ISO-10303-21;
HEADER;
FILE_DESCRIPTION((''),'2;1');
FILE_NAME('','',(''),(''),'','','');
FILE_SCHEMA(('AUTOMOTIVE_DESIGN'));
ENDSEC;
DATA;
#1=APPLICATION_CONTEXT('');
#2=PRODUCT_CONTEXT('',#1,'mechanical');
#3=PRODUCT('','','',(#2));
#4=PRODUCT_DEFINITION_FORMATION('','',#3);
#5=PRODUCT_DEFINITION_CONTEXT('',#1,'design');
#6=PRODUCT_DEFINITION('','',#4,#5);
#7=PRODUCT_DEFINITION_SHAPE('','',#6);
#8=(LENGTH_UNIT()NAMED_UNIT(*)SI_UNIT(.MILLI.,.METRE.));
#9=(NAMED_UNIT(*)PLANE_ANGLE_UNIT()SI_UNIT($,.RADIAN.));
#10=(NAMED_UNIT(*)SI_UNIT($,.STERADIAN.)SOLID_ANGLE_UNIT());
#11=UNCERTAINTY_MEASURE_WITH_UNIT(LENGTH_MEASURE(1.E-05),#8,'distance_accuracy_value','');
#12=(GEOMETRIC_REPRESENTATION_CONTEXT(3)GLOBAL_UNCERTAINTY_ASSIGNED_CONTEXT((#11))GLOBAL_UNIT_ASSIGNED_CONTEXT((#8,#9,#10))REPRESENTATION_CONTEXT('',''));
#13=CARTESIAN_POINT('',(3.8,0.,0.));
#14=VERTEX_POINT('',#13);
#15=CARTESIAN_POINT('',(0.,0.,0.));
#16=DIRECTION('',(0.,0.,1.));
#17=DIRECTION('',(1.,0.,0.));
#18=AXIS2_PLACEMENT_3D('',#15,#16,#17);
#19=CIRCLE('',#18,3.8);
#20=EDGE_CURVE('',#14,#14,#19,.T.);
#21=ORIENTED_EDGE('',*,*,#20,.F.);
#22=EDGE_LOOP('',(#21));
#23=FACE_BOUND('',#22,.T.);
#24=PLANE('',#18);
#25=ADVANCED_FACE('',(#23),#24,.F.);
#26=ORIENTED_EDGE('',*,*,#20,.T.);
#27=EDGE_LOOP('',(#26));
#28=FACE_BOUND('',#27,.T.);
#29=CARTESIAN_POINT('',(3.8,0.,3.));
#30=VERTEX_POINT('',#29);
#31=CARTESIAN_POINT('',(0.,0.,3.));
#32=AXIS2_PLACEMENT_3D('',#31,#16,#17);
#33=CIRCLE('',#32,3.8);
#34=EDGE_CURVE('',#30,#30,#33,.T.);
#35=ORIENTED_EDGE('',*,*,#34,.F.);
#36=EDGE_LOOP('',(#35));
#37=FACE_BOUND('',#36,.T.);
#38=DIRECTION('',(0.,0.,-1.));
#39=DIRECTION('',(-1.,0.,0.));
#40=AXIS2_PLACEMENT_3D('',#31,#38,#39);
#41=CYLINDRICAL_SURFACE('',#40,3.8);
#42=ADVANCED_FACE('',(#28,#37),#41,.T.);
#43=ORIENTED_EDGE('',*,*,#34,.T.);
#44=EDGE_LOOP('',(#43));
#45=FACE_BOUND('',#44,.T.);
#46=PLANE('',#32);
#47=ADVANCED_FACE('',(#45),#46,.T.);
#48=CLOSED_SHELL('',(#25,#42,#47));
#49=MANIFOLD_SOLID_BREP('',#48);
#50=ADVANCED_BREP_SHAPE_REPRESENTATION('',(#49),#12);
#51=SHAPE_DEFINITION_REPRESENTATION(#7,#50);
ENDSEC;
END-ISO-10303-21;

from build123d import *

# Parameters (mm, degrees)
ESQUISSE1_R        = 3.8
BOSS_EXTRU_2_DEPTH = 3


with BuildPart() as part:
    # Esquisse1 → Boss.-Extru.2 (new body)
    with BuildSketch(Plane.XY):
        Circle(ESQUISSE1_R)
    extrude(amount=BOSS_EXTRU_2_DEPTH)


solid = part.part
